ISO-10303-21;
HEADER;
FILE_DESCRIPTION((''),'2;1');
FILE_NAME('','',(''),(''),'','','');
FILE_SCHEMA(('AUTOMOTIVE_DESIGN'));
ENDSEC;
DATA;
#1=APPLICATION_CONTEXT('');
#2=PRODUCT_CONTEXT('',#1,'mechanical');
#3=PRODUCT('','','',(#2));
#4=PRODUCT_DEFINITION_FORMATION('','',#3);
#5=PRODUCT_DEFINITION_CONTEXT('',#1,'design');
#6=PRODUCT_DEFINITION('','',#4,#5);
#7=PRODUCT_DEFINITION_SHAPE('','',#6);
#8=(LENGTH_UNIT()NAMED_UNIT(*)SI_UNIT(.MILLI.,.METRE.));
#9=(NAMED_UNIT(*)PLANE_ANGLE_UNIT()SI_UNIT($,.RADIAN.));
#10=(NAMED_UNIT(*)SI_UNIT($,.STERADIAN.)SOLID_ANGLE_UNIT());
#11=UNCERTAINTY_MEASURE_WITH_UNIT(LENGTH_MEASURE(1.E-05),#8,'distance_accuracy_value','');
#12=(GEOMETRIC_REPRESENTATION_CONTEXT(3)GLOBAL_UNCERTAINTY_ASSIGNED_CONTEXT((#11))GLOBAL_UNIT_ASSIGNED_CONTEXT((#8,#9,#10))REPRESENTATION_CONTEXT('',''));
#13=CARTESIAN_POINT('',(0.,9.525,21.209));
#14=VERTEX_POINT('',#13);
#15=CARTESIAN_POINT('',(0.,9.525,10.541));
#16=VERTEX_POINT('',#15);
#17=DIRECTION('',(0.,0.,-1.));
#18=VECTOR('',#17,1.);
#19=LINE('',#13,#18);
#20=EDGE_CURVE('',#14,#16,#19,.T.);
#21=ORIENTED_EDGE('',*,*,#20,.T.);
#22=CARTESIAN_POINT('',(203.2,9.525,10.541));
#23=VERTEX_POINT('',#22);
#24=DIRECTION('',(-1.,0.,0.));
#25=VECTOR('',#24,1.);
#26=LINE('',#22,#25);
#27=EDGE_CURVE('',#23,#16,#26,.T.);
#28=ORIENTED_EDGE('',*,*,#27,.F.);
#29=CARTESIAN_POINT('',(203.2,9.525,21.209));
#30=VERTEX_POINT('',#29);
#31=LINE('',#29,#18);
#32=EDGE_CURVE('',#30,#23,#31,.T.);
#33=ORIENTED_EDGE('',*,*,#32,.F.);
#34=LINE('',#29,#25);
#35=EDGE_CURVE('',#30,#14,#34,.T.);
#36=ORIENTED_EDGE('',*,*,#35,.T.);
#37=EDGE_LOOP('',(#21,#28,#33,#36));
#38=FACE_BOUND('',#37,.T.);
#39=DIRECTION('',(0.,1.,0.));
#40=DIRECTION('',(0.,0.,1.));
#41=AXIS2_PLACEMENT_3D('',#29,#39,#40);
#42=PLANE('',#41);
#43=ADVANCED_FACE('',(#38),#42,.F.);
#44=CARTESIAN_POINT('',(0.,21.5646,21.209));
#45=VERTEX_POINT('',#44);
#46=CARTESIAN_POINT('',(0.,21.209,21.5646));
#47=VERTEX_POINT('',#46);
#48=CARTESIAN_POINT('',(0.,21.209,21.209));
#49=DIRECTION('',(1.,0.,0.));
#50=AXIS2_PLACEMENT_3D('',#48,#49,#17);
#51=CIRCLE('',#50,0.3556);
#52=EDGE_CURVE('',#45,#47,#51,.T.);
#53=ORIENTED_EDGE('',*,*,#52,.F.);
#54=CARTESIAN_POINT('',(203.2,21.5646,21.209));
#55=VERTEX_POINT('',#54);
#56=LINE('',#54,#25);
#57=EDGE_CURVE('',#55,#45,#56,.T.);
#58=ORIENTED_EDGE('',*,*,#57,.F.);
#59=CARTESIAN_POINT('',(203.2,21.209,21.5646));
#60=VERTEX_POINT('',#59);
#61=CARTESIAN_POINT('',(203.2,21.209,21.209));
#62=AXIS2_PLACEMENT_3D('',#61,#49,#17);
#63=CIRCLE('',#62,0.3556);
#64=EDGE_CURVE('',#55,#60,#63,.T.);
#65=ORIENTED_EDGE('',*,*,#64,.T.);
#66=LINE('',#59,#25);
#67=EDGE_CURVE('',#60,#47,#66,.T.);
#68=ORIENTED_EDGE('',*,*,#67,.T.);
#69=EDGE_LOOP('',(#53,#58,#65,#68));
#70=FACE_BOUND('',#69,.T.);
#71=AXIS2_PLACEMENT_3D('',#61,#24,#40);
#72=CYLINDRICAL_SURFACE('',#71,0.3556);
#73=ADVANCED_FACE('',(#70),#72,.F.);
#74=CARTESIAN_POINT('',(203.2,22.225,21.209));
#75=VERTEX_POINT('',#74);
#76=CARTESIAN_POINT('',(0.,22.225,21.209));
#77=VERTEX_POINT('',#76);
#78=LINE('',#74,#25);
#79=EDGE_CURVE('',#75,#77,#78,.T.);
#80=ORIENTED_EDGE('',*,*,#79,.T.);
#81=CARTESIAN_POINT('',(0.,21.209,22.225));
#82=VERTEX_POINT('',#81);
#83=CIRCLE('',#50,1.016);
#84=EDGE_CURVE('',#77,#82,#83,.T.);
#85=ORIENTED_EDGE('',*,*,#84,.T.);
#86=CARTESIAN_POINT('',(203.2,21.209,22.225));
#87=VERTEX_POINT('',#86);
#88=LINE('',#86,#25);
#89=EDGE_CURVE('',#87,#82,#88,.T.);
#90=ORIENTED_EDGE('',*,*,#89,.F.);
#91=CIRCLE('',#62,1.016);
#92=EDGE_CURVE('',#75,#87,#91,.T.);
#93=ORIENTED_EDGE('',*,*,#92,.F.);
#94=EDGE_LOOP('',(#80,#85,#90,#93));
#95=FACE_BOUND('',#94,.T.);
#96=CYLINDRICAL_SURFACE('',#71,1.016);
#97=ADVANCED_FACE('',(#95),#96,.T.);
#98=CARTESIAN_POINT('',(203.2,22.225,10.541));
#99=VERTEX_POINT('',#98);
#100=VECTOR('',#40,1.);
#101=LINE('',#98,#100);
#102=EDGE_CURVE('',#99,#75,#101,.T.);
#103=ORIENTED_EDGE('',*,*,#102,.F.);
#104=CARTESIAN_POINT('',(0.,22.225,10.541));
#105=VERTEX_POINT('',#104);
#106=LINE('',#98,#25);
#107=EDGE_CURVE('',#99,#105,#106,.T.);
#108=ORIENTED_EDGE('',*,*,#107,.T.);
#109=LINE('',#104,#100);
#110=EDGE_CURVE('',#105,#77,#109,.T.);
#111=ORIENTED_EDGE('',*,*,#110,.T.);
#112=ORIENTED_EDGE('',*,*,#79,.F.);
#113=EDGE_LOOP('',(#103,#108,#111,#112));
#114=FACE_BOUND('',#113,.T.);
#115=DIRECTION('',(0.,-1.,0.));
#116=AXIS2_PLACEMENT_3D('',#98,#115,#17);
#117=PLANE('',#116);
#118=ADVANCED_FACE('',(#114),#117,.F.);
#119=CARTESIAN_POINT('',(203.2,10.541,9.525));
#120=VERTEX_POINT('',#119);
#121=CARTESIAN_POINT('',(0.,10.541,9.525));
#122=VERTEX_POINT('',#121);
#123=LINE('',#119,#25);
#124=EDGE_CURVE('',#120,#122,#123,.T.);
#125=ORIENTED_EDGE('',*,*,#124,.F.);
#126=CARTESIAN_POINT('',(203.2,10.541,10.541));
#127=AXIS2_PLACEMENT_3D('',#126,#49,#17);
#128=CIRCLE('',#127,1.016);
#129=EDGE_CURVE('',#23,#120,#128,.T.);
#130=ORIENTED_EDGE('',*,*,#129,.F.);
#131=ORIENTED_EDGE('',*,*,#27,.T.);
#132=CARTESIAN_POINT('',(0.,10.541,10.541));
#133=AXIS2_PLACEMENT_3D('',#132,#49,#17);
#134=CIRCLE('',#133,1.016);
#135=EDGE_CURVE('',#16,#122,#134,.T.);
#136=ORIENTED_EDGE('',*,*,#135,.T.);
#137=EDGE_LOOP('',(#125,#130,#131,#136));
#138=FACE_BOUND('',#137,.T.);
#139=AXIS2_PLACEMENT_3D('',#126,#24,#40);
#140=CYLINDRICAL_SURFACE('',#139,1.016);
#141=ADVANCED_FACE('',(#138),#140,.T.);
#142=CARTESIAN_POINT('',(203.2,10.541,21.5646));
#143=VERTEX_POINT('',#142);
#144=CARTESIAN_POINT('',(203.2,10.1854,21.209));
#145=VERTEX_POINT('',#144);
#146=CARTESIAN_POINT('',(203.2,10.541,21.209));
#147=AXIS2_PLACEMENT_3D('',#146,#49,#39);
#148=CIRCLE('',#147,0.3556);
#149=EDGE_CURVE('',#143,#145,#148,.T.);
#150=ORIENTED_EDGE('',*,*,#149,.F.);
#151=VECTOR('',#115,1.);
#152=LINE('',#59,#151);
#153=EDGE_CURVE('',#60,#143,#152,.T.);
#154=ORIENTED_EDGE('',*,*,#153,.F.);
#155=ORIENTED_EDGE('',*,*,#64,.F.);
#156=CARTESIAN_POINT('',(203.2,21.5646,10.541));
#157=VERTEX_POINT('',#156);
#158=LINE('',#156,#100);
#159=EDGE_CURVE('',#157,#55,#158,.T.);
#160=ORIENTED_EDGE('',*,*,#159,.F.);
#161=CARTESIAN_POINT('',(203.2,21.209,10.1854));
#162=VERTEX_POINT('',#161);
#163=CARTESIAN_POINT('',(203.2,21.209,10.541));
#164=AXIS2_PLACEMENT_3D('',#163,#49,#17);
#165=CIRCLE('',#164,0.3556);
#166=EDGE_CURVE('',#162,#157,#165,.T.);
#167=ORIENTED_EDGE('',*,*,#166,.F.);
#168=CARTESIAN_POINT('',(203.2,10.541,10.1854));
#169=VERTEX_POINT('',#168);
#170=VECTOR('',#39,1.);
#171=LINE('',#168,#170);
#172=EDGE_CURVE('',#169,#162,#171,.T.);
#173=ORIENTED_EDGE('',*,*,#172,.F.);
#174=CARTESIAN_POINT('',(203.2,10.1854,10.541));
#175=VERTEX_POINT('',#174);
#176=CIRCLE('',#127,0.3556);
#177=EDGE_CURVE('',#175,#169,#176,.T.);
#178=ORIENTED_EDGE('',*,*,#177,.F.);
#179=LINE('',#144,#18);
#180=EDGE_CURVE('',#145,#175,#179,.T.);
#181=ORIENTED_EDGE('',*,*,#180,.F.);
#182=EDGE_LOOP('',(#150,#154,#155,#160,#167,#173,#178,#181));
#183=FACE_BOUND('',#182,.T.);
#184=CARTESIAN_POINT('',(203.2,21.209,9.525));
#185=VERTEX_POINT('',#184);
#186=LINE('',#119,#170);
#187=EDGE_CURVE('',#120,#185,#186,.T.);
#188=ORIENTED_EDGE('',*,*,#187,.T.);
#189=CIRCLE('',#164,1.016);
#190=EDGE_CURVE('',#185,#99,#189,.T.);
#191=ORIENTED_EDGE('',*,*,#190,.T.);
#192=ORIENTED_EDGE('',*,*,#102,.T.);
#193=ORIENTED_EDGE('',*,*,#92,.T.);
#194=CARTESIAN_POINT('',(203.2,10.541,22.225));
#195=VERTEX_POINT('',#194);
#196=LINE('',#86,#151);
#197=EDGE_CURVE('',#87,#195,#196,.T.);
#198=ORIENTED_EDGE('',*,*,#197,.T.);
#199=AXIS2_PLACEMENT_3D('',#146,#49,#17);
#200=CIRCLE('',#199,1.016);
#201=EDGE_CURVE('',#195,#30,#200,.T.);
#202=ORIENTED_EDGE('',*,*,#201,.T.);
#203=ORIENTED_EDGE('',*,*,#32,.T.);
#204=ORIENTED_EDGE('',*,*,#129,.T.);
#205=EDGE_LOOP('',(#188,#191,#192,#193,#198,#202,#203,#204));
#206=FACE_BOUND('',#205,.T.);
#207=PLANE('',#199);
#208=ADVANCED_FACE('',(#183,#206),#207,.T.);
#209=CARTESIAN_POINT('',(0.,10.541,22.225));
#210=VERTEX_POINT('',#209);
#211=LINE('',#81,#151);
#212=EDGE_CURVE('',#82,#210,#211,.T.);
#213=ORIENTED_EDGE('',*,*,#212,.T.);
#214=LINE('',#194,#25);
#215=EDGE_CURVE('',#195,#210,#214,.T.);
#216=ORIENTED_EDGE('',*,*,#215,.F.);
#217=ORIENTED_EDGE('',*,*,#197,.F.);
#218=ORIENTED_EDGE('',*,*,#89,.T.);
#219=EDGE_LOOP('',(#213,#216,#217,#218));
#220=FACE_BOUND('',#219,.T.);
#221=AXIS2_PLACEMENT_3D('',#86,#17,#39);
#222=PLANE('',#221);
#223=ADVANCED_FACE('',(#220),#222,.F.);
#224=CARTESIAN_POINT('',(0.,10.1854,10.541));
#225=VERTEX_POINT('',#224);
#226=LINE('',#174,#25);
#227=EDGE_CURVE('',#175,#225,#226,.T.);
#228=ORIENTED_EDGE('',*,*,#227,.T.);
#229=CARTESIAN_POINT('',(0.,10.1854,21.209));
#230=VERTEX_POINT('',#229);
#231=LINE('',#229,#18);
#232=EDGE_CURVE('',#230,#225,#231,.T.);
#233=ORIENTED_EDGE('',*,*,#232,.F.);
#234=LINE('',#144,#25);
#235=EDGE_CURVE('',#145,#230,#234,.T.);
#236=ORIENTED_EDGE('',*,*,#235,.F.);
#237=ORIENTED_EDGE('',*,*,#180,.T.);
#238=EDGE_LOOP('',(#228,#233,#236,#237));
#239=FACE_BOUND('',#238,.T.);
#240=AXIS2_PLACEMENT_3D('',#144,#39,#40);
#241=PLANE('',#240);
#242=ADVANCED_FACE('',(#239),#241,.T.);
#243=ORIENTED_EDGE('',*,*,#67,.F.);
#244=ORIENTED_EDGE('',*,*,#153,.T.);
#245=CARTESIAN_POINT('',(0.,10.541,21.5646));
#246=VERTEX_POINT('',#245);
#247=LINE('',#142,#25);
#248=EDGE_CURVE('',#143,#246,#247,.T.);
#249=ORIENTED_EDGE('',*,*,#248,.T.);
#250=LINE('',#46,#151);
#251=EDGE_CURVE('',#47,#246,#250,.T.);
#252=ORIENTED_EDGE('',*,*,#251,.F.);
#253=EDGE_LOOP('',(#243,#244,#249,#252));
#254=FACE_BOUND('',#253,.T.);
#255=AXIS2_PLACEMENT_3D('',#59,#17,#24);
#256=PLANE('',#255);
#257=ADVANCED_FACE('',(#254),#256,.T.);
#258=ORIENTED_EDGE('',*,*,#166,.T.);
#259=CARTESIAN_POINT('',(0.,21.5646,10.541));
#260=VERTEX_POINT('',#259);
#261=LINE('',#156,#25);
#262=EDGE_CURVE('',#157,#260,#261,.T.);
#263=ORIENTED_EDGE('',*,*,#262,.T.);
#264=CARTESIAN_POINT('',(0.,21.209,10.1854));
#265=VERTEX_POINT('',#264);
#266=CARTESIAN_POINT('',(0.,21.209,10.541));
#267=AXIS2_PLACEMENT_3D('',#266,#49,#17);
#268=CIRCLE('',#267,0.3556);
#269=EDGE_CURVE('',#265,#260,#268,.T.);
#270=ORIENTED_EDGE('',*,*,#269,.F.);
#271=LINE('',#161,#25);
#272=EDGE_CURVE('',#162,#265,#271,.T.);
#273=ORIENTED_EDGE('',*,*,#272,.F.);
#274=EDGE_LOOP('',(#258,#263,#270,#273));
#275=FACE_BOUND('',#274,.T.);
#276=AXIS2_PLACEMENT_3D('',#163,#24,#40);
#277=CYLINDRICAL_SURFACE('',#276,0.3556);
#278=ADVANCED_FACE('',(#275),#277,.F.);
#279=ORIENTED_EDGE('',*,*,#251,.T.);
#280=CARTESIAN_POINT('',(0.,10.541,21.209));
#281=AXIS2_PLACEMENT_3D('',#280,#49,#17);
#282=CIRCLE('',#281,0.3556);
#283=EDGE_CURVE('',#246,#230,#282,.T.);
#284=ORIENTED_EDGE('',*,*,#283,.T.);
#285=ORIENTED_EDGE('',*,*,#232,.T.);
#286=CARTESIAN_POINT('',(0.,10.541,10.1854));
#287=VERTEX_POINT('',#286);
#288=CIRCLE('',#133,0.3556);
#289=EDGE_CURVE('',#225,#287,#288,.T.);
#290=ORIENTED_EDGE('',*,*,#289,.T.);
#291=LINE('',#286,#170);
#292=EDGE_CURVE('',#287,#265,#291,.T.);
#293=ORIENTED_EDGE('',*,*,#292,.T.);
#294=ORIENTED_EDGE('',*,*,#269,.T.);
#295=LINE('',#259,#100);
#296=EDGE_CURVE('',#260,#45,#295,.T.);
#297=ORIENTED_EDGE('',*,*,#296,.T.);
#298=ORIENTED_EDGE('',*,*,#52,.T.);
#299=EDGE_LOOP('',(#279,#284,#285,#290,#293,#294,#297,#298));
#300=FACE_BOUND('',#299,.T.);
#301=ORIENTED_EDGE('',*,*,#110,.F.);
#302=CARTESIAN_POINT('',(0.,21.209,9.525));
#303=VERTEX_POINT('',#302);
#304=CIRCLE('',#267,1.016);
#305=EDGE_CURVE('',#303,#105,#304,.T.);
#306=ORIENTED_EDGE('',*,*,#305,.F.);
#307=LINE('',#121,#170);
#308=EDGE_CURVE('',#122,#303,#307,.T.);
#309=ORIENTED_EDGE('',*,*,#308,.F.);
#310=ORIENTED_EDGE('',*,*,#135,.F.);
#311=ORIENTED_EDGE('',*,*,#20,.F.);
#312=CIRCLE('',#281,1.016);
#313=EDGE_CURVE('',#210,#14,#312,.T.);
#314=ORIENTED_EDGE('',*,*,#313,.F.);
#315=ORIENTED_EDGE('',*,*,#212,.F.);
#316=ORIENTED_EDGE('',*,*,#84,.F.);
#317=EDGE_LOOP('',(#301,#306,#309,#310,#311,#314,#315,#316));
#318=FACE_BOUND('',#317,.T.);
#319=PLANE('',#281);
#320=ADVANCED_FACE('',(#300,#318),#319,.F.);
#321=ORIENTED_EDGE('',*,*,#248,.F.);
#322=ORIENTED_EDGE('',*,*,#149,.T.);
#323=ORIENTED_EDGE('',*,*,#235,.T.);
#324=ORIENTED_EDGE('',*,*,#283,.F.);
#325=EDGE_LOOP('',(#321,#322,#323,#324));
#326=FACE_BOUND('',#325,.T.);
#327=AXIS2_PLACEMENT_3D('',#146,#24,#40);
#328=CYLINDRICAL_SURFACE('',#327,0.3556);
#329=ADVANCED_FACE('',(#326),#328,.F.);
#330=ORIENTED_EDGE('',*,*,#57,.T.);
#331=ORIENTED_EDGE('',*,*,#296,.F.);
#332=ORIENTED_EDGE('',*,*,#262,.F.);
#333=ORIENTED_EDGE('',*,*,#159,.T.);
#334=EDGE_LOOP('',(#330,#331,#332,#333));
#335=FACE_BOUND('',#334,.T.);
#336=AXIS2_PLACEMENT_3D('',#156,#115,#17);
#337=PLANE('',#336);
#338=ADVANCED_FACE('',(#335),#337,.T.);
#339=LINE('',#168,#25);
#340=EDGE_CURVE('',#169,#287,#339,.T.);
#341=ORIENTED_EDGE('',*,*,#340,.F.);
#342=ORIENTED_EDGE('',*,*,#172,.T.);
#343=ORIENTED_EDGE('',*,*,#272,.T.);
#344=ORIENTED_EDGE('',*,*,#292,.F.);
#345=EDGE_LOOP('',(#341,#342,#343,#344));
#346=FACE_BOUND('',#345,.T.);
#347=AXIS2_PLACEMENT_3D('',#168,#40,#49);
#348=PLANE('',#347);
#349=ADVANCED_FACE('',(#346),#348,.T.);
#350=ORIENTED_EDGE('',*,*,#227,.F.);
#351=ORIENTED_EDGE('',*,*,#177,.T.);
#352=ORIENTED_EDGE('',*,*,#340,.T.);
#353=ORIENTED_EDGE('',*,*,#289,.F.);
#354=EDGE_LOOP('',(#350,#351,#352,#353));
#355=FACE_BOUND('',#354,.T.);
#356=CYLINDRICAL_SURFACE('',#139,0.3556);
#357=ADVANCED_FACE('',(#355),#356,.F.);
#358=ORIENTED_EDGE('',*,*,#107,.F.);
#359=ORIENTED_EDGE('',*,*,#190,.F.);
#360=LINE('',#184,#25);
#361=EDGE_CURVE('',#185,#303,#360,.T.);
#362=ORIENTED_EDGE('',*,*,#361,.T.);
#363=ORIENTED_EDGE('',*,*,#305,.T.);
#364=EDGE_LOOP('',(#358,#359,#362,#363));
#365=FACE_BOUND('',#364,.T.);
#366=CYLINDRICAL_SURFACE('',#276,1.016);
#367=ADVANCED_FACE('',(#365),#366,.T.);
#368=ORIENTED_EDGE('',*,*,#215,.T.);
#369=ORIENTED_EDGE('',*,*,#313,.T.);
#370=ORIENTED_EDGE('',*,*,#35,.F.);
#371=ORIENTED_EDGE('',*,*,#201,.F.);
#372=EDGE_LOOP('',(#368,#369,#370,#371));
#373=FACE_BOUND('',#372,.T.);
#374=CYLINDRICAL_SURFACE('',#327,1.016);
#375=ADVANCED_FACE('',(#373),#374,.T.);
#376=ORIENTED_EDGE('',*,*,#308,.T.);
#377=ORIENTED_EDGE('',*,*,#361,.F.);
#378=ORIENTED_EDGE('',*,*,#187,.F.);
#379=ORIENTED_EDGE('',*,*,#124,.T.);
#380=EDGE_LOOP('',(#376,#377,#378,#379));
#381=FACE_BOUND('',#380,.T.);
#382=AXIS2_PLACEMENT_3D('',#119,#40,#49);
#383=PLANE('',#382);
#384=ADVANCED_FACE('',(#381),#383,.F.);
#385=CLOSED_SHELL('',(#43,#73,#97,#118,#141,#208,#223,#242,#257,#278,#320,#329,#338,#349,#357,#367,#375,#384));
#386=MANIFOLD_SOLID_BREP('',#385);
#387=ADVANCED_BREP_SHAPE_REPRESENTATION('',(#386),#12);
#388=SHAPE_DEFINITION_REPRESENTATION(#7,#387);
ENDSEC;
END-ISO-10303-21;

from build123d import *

# Parameters (mm, degrees)
BOSS_EXTRUDE1_DEPTH = 203.2
SCALE1_SCALE_X      = 1
SCALE1_SCALE_Y      = 0.4
SCALE1_SCALE_Z      = 0.4


with BuildPart() as part:
    # Sketch1 → Boss-Extrude1 (new body)
    with BuildSketch(Plane(origin=(0, 0, 0), x_dir=(0, 0, -1), z_dir=(1, 0, 0))):
        with BuildLine():
            Line((0, 2.54), (0, 29.21))
            ThreePointArc((0, 29.21), (-0.743948776, 31.006051224), (-2.54, 31.75))
            Line((-2.54, 31.75), (-29.21, 31.75))
            ThreePointArc((-29.21, 31.75), (-31.006051224, 31.006051224), (-31.75, 29.21))
            Line((-31.75, 29.21), (-31.75, 2.54))
            ThreePointArc((-31.75, 2.54), (-31.006051224, 0.743948776), (-29.21, 0))
            Line((-29.21, 0), (-2.54, 0))
            ThreePointArc((-2.54, 0), (-0.743948776, 0.743948776), (0, 2.54))
        make_face()
        with BuildLine():
            Line((-1.651, 2.54), (-1.651, 29.21))
            ThreePointArc((-1.651, 29.21), (-1.911382072, 29.838617928), (-2.54, 30.099))
            Line((-2.54, 30.099), (-29.21, 30.099))
            ThreePointArc((-29.21, 30.099), (-29.838617928, 29.838617928), (-30.099, 29.21))
            Line((-30.099, 29.21), (-30.099, 2.54))
            ThreePointArc((-30.099, 2.54), (-29.838617928, 1.911382072), (-29.21, 1.651))
            Line((-29.21, 1.651), (-2.54, 1.651))
            ThreePointArc((-2.54, 1.651), (-1.911382072, 1.911382072), (-1.651, 2.54))
        make_face(mode=Mode.SUBTRACT)
    extrude(amount=BOSS_EXTRUDE1_DEPTH)


with BuildPart() as part_1:
    # Scale1: scaled about (101.6, 15.875, 15.875)
    add(part.part.scale((SCALE1_SCALE_X, SCALE1_SCALE_Y, SCALE1_SCALE_Z), about=(101.6, 15.875, 15.875)))


solid = part_1.part
